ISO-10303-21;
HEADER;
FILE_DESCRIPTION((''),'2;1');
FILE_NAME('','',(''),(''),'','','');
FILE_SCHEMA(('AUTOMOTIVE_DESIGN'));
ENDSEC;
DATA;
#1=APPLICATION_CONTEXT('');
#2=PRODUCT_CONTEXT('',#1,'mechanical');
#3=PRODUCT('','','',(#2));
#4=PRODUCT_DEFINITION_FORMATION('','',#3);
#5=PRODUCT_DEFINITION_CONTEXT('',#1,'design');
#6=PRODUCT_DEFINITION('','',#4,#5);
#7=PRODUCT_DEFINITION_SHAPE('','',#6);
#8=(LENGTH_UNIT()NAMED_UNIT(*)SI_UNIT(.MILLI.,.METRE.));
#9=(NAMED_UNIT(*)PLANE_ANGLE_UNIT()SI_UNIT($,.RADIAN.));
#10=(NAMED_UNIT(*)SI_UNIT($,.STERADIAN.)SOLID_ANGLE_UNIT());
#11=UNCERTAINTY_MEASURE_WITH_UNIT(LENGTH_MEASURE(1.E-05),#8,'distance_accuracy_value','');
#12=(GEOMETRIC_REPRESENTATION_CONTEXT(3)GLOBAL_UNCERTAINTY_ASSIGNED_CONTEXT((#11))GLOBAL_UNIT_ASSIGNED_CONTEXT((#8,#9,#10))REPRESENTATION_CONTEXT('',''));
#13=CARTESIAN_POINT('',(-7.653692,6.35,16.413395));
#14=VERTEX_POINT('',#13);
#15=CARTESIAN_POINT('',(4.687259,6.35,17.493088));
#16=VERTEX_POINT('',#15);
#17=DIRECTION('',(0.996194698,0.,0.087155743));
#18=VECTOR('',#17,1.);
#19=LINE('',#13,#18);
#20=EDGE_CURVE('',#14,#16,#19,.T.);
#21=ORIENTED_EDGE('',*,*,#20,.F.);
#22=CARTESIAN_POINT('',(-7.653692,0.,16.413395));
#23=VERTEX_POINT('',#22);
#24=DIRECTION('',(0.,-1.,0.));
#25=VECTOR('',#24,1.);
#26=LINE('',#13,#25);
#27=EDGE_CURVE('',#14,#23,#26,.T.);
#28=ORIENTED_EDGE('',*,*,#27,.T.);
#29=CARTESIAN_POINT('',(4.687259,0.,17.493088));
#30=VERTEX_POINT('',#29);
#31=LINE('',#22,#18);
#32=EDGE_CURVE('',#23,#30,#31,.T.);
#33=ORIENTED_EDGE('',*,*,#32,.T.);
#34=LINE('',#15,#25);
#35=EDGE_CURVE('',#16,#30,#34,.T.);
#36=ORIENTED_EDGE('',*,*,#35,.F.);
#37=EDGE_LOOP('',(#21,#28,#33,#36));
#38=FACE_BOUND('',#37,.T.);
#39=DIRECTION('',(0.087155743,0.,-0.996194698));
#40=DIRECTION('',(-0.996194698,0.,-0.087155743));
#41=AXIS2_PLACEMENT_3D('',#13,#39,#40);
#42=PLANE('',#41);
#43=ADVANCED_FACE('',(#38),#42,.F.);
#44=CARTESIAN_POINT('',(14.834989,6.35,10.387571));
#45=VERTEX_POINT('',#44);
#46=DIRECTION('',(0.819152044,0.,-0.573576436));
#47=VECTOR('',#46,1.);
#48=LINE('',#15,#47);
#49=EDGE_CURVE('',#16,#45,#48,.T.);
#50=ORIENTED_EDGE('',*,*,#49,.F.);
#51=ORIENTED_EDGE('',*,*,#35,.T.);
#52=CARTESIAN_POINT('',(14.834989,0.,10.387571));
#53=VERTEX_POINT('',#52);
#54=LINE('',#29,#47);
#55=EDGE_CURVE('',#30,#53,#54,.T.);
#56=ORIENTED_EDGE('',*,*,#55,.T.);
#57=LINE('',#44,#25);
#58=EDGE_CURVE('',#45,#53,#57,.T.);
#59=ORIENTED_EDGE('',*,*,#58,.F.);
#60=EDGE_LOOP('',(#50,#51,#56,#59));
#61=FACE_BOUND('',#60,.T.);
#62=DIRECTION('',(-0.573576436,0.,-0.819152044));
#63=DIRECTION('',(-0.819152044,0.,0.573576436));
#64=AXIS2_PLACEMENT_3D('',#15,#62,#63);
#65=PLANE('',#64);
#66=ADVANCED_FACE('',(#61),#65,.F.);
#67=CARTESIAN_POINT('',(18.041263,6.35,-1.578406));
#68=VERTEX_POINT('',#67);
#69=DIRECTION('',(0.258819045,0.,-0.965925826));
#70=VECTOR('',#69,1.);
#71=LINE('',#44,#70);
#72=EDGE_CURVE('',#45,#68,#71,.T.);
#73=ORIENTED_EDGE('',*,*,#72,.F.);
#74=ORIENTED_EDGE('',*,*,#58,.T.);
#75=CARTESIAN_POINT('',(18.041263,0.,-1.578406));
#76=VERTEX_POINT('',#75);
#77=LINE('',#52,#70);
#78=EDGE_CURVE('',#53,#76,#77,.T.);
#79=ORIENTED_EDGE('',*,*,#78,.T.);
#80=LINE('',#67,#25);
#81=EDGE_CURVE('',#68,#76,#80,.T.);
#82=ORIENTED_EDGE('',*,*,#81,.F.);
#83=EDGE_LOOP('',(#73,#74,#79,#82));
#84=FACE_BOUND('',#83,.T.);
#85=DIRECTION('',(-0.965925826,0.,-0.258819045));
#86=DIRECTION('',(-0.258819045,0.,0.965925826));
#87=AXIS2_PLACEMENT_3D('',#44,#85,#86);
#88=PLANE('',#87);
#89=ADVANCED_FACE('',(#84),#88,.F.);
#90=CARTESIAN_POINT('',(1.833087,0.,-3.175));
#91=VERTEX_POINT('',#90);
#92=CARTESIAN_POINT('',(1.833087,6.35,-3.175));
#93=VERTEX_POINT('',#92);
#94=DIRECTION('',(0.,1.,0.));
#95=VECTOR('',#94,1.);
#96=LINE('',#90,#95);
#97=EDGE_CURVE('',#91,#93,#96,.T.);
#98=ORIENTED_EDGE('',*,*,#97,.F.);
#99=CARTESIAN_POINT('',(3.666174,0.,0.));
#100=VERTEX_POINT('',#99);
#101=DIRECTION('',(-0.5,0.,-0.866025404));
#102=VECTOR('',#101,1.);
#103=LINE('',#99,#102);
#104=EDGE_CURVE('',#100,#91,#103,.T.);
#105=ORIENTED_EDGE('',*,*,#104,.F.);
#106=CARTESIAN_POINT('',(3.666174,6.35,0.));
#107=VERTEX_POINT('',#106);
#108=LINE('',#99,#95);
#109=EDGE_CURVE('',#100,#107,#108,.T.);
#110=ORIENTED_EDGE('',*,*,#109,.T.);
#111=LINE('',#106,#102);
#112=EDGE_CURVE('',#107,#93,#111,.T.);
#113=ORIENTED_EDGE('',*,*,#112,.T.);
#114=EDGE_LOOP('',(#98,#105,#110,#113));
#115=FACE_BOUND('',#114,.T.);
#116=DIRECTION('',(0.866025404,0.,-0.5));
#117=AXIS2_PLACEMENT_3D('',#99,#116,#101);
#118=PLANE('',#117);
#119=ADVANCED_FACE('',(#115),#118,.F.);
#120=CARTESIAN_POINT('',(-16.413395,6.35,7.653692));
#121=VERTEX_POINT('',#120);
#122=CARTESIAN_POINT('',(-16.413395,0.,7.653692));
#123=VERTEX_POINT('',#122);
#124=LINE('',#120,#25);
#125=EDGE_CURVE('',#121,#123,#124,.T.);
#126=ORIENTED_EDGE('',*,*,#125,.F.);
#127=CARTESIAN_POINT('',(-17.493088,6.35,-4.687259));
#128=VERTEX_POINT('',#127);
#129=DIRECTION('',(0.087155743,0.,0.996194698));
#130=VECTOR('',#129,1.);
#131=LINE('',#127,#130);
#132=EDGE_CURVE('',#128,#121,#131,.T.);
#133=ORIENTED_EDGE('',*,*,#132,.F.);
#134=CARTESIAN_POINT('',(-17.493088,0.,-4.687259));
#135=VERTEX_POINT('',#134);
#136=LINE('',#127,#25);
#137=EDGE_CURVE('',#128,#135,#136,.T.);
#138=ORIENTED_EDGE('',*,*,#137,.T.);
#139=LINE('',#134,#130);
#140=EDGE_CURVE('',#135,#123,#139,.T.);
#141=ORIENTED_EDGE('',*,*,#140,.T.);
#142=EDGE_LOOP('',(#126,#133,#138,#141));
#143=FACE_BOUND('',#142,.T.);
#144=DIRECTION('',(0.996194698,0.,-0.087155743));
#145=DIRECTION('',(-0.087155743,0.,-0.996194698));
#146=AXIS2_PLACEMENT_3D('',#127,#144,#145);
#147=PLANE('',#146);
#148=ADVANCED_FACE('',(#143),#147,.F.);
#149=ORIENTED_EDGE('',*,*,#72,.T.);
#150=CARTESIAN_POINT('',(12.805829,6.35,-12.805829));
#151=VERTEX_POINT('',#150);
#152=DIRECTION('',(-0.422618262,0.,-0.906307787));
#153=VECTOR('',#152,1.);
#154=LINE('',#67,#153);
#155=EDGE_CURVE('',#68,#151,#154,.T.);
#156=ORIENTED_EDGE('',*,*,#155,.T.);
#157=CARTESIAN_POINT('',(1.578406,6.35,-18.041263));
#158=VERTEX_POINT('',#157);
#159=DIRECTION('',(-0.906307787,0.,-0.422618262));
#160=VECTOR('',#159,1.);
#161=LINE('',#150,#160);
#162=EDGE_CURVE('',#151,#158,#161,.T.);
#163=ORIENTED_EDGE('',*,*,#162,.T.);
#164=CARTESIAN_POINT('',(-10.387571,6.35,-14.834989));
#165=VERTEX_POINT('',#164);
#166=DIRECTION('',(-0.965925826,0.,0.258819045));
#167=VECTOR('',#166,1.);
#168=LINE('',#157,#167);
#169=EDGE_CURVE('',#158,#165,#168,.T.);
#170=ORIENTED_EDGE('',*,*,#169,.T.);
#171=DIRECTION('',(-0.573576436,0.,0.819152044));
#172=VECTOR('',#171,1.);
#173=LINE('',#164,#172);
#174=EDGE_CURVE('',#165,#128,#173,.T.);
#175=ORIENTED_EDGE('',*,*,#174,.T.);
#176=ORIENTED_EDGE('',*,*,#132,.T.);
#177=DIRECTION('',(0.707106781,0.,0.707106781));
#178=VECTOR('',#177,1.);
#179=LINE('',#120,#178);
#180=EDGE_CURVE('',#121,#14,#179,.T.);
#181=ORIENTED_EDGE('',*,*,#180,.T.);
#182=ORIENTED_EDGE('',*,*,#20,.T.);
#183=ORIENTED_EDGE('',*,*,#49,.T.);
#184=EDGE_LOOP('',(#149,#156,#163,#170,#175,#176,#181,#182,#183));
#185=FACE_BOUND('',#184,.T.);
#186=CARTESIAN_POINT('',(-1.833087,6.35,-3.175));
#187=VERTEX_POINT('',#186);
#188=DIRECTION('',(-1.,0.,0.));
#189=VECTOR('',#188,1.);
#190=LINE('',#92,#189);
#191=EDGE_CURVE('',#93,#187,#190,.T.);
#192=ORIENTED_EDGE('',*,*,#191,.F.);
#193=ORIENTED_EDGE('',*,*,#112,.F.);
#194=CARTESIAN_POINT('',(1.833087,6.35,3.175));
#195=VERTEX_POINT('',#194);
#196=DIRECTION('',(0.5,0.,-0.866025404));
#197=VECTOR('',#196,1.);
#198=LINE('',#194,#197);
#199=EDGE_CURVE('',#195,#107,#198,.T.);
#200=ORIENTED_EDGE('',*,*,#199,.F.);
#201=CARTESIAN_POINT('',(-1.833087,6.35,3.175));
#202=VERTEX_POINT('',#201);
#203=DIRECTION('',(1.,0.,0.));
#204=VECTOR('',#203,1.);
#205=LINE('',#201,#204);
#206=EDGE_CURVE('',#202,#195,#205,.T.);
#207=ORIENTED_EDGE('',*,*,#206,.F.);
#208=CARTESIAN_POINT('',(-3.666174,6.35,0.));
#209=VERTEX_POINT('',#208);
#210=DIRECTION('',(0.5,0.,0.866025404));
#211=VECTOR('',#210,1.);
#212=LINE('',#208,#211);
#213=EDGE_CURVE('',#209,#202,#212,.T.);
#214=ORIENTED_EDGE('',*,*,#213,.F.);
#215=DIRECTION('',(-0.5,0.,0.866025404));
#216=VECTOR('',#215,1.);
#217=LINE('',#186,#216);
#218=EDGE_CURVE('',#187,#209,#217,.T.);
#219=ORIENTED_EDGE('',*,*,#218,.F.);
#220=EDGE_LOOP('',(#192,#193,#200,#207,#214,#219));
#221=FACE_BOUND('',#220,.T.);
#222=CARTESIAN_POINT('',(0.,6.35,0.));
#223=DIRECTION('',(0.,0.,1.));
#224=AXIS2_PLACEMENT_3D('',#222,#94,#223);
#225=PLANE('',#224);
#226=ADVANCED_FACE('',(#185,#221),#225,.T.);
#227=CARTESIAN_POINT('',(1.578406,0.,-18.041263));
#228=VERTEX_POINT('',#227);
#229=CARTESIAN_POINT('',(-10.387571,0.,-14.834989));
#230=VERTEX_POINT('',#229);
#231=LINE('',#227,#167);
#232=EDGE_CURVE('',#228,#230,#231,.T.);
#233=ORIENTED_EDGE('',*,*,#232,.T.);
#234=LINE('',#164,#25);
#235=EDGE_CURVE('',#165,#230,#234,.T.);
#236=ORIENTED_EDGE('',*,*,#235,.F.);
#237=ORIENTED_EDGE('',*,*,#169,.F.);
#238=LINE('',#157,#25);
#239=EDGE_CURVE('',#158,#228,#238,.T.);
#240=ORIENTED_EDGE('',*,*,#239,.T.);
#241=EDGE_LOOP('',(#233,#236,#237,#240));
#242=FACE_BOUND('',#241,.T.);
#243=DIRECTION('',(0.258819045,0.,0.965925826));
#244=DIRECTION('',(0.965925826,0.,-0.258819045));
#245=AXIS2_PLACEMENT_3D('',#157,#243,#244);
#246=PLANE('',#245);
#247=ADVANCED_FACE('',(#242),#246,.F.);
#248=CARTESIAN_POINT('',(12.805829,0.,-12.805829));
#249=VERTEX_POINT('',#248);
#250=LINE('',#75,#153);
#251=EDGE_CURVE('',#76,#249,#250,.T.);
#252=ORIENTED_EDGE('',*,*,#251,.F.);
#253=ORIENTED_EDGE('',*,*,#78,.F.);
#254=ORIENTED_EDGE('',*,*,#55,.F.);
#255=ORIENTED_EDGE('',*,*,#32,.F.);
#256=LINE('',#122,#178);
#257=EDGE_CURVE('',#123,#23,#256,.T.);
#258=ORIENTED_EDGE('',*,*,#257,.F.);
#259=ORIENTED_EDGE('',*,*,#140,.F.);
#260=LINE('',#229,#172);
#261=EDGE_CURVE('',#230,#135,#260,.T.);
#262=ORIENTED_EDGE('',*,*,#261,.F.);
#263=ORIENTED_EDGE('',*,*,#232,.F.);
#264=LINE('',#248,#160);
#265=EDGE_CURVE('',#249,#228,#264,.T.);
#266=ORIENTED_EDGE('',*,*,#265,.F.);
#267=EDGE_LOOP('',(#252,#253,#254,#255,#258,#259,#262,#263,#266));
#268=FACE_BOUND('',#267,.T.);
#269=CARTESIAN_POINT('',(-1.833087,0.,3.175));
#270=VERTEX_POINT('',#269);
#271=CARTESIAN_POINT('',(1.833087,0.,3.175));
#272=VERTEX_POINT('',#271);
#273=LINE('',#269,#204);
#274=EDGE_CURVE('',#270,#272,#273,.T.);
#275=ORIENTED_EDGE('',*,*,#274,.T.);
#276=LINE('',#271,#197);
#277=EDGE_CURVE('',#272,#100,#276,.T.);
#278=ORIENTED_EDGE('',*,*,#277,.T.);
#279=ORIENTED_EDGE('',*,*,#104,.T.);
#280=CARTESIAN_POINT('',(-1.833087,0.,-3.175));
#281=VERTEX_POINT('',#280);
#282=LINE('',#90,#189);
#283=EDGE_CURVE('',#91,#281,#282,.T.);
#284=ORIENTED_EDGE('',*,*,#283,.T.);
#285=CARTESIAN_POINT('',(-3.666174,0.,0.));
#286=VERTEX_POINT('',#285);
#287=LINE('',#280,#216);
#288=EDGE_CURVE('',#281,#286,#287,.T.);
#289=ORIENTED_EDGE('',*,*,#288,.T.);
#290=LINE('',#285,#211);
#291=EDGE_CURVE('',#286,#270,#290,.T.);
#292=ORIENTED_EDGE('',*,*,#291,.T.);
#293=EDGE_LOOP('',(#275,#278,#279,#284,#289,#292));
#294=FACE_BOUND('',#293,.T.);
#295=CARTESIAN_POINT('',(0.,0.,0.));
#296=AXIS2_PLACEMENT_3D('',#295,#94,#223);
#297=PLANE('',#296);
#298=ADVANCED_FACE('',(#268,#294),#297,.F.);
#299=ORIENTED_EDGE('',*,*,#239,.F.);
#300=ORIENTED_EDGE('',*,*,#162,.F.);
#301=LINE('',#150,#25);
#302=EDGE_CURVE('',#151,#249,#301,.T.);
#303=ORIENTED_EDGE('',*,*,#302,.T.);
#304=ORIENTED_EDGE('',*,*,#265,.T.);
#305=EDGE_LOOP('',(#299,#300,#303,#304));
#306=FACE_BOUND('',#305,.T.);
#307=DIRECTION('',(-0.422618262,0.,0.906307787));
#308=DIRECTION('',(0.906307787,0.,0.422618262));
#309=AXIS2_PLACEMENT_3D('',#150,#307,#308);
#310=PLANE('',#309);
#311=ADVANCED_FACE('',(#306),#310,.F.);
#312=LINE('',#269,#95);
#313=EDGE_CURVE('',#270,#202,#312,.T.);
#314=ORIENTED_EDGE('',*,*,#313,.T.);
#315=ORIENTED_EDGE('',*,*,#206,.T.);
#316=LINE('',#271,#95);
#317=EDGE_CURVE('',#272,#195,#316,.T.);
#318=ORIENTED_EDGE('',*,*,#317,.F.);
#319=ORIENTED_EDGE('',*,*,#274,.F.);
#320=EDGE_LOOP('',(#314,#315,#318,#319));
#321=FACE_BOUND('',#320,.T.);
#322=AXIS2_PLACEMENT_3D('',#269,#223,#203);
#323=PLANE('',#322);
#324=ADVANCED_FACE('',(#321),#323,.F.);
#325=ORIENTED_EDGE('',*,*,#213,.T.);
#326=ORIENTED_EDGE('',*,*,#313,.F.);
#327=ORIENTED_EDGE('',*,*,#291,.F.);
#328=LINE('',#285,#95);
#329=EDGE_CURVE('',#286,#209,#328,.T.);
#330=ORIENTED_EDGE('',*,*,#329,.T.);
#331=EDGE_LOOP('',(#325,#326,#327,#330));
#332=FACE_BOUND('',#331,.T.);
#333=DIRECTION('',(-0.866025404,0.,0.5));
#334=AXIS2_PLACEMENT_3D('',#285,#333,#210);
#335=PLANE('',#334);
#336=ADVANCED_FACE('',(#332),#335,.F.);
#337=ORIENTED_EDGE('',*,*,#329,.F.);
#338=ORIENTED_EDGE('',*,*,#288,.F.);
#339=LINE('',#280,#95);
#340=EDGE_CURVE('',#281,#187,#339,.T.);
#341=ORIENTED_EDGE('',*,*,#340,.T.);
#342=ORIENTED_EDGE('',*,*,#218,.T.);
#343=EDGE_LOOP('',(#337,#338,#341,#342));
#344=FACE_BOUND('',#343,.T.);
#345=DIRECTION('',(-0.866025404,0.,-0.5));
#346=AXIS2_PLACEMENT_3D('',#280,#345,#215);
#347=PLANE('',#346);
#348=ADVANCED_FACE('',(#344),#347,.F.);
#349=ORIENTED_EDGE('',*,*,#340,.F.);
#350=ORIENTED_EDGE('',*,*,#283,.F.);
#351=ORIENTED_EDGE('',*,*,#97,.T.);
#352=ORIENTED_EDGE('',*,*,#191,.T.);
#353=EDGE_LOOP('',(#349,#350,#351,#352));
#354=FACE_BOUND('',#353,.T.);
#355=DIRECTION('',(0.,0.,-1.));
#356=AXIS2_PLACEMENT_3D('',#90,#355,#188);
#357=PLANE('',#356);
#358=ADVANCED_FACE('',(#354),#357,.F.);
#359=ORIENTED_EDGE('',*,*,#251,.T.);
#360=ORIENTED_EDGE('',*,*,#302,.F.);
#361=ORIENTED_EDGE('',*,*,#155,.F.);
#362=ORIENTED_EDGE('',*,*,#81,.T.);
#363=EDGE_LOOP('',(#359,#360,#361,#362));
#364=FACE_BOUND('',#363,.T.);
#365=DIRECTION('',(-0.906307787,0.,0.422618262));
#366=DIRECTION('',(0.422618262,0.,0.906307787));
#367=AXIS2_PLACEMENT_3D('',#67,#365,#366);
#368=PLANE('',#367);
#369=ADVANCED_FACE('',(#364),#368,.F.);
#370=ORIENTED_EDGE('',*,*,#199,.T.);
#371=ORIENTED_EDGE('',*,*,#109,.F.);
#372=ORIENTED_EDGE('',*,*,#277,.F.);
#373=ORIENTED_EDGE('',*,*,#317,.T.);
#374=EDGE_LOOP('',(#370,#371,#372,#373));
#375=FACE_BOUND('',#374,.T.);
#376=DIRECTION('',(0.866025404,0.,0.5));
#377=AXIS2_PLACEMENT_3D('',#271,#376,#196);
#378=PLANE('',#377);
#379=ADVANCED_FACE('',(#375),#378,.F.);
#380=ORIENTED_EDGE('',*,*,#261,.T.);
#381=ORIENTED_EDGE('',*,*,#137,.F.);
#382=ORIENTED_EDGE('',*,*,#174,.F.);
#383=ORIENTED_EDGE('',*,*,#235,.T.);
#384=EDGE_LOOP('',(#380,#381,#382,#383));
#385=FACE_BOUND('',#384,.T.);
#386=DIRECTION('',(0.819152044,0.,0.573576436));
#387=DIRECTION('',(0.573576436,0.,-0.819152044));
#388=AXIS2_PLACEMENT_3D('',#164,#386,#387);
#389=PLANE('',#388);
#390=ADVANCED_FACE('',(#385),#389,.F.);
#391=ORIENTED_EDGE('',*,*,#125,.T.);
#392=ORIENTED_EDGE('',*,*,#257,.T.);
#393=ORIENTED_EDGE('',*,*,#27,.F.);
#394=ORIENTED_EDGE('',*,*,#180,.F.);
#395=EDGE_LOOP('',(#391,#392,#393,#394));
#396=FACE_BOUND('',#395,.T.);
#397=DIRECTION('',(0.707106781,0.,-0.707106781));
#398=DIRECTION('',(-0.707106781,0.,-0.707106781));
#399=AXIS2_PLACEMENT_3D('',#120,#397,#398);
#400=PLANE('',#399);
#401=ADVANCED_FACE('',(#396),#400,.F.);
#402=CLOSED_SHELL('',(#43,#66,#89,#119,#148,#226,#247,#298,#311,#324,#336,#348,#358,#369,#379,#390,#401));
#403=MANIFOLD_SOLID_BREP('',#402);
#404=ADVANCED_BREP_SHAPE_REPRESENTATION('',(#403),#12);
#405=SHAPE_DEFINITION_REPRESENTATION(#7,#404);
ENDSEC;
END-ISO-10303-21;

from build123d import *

# Parameters (mm, degrees)
BOSS_EXTRUDE1_DEPTH = 6.35
CUT_EXTRUDE1_DEPTH  = 6.35


with BuildPart() as part:
    # Sketch1 → Boss-Extrude1 (new body)
    with BuildSketch(Plane(origin=(0, 0, 0), x_dir=(1, 0, 0), z_dir=(0, 1, 0))):
        Polygon((14.834988784, -10.387570976), (18.04126264, 1.578405957), (12.8058292, 12.8058292), (1.578405957, 18.04126264), (-10.387570976, 14.834988784), (-17.493088004, 4.687258804), (-16.413394741, -7.653691664), (-7.653691664, -16.413394741), (4.687258804, -17.493088004), align=None)
    extrude(amount=BOSS_EXTRUDE1_DEPTH)

    # Sketch2 → Cut-Extrude1 (cut)
    with BuildSketch(Plane(origin=(0, 6.35, 0), x_dir=(1, 0, 0), z_dir=(0, 1, 0))):
        Polygon((1.833087105, 3.175), (-1.833087105, 3.175), (-3.666174209, 0), (-1.833087105, -3.175), (1.833087105, -3.175), (3.666174209, 0), align=None)
    extrude(amount=-CUT_EXTRUDE1_DEPTH, mode=Mode.SUBTRACT)


solid = part.part
